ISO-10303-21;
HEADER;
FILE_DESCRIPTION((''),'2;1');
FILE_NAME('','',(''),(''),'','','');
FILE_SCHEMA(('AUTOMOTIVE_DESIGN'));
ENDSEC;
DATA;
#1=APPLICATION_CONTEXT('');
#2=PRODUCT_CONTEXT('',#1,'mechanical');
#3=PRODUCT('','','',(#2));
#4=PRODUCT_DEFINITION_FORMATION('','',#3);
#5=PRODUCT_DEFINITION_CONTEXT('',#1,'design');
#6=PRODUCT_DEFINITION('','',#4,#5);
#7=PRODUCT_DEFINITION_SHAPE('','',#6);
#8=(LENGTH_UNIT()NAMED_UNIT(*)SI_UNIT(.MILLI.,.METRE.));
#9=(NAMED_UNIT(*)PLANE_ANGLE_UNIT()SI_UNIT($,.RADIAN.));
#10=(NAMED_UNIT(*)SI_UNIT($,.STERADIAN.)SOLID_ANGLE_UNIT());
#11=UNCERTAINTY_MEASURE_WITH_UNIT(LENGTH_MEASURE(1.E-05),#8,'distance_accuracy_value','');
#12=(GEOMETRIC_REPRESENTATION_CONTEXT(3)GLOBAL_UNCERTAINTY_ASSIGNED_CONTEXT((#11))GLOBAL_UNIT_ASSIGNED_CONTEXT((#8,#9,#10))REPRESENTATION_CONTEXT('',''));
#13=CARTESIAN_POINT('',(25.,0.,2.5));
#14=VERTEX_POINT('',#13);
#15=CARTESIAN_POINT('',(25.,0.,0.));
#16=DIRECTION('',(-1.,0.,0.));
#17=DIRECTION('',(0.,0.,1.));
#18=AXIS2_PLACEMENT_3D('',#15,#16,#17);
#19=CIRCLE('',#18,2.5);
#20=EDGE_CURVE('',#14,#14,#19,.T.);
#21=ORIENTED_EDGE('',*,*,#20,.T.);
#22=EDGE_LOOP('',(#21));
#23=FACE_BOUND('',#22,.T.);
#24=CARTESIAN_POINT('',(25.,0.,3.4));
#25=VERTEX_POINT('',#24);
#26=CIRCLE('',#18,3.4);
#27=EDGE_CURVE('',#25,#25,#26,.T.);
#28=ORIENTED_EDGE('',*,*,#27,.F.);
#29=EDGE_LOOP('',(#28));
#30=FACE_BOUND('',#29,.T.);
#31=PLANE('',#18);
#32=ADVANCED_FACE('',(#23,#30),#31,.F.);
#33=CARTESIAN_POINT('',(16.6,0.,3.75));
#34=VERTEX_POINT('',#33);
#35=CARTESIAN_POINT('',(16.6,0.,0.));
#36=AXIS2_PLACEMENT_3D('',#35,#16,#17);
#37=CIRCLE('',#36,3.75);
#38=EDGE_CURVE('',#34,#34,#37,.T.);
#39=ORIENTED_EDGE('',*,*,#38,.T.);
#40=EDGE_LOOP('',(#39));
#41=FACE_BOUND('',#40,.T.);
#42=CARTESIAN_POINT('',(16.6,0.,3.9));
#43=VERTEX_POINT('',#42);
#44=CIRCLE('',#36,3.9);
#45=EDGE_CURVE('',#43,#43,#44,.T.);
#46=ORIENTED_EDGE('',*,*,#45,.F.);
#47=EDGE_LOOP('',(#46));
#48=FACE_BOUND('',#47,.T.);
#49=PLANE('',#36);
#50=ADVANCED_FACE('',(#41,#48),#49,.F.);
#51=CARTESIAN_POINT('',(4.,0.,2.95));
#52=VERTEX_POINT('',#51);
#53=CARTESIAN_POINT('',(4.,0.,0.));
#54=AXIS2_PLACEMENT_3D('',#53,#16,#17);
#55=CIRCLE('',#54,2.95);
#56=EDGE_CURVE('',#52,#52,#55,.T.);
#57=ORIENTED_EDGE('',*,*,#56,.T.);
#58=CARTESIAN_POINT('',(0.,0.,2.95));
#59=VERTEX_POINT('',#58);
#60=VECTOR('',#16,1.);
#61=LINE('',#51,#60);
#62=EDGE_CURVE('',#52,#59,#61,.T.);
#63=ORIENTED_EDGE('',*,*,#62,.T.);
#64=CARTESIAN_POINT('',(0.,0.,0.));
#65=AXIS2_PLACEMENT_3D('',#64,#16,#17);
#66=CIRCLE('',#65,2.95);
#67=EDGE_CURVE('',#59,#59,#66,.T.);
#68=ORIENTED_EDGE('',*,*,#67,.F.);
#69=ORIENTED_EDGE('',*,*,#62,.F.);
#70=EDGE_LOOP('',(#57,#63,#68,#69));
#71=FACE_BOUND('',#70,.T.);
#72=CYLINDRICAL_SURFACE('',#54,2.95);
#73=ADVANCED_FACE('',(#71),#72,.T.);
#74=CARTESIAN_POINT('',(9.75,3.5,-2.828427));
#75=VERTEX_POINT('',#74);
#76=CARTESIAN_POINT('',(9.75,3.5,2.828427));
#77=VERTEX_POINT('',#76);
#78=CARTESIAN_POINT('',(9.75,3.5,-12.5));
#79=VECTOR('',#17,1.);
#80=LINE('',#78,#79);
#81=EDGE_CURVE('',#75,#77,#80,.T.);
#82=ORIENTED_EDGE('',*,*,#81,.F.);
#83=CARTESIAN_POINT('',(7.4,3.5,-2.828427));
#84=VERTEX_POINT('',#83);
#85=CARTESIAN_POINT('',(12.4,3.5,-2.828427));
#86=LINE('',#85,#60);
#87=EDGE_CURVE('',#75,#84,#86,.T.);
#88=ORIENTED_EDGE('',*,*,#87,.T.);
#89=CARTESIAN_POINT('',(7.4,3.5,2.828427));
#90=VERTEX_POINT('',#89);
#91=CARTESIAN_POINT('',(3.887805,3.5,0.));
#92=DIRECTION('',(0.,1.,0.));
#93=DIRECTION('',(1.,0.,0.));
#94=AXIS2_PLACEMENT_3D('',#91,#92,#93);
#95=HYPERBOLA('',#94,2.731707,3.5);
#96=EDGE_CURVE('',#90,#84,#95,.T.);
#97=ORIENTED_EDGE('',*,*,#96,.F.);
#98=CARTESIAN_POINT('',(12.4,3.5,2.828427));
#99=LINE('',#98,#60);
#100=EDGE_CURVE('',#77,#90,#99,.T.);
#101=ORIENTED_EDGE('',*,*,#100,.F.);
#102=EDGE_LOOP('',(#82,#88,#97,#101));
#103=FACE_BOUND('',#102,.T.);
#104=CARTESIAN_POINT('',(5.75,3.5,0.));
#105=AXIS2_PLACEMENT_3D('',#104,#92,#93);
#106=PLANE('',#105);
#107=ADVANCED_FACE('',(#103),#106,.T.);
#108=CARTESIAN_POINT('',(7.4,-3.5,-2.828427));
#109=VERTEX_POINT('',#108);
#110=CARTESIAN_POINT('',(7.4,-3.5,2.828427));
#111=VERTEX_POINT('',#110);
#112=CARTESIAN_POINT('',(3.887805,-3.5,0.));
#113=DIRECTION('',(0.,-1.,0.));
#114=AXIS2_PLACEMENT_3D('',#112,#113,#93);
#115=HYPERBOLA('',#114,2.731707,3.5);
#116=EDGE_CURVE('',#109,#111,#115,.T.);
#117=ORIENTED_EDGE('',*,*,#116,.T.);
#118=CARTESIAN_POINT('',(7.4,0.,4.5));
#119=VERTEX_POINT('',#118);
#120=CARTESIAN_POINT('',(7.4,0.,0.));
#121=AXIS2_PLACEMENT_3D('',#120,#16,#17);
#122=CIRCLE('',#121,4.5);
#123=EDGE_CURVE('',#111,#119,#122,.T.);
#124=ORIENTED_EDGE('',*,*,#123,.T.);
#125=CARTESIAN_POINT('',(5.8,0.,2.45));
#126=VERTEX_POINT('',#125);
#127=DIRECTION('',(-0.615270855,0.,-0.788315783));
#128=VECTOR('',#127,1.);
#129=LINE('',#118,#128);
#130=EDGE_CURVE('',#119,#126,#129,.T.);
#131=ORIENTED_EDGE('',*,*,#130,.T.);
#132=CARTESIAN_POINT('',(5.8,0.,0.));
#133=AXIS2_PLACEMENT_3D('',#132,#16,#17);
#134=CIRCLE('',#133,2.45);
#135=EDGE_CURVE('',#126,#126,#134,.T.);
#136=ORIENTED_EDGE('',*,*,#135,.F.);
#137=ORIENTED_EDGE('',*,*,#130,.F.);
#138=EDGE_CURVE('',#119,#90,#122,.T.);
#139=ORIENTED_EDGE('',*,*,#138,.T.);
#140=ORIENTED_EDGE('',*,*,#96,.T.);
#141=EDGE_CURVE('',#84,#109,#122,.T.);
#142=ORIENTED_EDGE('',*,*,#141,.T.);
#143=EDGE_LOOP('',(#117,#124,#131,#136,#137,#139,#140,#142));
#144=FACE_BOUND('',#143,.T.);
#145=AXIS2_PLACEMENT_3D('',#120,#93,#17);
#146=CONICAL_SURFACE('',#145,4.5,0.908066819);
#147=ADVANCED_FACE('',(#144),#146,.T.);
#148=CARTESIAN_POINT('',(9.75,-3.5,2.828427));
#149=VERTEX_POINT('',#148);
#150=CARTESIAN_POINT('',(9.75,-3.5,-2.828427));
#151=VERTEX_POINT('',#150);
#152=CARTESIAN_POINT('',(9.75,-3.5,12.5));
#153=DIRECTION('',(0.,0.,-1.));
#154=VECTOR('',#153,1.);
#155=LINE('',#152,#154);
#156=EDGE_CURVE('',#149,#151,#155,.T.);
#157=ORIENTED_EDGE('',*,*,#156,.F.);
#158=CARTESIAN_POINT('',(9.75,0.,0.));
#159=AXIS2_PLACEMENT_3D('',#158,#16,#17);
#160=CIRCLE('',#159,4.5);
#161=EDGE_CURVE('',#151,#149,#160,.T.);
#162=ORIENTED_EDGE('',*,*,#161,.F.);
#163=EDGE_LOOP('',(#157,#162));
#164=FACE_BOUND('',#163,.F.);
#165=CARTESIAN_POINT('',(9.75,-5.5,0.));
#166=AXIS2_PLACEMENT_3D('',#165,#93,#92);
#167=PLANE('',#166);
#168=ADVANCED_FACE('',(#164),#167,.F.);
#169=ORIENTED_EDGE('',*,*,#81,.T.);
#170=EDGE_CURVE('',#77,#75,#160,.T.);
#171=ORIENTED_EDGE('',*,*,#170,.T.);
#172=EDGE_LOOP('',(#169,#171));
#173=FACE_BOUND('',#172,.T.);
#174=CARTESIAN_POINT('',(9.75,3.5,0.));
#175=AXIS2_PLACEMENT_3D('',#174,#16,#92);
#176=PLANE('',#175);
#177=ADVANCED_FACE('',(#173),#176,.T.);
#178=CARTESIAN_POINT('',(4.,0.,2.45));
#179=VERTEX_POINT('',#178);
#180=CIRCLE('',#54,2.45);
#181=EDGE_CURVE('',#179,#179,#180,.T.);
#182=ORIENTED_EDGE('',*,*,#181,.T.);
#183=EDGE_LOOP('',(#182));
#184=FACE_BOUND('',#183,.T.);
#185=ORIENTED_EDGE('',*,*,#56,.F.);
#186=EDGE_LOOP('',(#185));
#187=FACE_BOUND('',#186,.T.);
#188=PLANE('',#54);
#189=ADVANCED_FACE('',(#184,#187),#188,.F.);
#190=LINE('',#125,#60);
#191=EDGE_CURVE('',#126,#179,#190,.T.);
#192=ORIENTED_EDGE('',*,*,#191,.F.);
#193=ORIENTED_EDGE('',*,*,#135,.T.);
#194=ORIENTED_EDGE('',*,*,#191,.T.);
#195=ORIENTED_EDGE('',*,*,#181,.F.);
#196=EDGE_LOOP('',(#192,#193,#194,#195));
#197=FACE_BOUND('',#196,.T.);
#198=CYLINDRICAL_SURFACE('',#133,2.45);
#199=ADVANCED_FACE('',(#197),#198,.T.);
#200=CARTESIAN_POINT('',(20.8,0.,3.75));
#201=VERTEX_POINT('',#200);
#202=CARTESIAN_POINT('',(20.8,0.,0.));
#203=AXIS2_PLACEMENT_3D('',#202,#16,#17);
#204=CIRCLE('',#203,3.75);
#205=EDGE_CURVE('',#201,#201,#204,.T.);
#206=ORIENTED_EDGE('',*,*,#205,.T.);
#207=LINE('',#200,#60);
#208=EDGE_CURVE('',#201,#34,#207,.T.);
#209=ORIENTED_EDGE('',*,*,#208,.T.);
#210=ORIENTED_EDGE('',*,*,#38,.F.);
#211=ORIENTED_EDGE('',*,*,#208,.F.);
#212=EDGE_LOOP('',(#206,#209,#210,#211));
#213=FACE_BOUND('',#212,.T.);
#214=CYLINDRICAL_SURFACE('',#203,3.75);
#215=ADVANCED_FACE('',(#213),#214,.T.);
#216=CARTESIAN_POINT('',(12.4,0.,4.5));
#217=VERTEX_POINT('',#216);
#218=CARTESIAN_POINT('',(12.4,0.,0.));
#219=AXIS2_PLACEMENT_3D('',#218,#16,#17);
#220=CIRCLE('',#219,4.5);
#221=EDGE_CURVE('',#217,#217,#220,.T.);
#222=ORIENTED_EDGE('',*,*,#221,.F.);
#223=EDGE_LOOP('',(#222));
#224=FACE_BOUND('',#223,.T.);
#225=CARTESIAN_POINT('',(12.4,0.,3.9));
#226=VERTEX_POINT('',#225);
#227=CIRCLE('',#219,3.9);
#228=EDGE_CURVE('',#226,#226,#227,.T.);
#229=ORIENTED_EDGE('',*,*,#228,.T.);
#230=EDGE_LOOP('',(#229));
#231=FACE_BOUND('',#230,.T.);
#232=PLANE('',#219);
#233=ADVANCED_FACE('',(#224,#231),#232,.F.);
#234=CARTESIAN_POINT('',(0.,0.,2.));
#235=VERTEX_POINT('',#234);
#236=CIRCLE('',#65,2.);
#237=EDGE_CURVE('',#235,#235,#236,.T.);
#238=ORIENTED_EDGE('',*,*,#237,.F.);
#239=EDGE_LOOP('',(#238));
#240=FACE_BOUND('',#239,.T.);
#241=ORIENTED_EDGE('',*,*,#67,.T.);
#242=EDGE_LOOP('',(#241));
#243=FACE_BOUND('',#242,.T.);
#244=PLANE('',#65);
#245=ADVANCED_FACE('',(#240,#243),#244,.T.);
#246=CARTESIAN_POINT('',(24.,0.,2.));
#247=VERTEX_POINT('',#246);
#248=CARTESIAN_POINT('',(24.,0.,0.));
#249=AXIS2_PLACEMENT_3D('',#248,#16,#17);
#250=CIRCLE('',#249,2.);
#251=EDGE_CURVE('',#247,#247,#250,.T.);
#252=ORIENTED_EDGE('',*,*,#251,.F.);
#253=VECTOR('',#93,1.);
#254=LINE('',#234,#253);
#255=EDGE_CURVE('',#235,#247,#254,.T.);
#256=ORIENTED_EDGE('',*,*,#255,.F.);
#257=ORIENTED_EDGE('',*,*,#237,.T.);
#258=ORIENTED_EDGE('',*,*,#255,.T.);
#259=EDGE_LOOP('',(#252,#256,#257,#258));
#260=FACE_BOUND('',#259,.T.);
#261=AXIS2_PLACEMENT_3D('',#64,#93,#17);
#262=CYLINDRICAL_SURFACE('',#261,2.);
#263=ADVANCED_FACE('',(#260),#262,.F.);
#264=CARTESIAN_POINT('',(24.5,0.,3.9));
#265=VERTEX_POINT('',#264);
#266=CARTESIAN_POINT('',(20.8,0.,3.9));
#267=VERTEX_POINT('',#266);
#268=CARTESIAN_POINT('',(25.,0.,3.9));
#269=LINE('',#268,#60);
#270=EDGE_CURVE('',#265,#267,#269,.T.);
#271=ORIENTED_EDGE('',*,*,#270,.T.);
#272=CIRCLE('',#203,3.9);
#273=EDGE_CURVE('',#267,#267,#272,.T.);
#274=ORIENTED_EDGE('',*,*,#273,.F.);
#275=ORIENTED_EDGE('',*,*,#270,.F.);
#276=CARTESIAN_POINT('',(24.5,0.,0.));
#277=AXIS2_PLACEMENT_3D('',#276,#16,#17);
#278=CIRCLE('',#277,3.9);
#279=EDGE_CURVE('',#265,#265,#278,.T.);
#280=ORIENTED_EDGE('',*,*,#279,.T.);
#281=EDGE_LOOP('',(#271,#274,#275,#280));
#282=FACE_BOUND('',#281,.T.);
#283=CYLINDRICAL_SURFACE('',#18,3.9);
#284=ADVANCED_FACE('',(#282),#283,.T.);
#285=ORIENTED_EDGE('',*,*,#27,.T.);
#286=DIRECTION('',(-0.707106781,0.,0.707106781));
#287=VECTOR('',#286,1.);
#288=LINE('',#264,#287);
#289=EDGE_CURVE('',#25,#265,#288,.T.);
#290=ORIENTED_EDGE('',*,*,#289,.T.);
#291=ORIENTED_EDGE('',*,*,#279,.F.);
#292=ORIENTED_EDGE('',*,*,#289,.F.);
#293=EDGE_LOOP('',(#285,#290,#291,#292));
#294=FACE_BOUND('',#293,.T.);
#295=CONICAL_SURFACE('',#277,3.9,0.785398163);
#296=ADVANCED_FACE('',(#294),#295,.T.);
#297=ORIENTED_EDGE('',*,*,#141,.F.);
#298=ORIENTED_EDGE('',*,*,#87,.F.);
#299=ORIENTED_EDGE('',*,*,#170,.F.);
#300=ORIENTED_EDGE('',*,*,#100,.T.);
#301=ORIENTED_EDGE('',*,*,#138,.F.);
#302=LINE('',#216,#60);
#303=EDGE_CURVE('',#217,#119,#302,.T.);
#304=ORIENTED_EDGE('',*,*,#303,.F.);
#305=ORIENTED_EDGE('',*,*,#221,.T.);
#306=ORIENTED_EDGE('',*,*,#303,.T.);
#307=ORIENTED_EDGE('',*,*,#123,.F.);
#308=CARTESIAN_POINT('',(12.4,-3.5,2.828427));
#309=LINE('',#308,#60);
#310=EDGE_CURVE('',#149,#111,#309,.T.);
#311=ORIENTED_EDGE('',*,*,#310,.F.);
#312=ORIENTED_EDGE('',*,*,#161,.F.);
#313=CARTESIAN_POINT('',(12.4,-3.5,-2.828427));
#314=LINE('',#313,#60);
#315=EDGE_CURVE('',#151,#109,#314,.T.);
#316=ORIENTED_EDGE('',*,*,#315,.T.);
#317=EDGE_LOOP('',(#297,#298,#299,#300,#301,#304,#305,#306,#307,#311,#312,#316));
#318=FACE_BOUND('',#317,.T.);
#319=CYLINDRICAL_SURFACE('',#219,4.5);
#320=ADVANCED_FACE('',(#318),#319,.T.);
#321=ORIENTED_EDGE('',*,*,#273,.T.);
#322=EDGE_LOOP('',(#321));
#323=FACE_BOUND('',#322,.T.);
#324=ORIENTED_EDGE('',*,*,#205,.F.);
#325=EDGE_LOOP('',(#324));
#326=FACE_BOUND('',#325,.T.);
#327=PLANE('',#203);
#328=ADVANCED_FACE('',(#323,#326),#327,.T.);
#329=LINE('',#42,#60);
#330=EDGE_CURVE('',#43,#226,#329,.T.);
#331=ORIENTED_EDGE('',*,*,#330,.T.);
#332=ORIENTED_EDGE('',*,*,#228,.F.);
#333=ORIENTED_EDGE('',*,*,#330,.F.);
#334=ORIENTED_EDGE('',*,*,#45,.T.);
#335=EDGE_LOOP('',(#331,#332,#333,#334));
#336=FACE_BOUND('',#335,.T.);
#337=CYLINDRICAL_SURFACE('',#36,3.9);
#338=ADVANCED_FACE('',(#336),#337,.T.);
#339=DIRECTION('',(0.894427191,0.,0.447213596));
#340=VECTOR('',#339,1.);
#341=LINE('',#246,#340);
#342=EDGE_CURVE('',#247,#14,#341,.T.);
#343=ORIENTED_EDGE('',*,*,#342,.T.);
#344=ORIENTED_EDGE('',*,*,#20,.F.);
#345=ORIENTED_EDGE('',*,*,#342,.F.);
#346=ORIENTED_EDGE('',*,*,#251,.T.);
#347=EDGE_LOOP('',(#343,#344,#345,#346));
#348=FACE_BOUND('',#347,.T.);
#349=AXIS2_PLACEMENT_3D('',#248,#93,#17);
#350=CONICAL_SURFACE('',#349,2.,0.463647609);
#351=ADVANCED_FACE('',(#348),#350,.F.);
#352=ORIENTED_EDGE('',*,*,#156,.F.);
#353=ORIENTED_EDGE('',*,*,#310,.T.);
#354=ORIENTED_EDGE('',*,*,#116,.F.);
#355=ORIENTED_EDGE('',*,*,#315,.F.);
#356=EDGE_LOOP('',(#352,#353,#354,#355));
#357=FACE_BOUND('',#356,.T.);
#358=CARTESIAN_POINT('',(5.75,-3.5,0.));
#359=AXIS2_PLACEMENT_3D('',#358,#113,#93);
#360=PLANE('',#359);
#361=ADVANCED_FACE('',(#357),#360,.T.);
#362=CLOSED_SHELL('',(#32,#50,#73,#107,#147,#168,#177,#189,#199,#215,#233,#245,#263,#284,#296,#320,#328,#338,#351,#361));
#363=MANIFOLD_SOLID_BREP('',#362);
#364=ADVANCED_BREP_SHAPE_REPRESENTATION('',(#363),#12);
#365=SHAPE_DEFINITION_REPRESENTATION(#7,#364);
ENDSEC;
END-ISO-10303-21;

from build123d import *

# Parameters (mm, degrees)
F2_SIZE  = 0.5
F3_SIZE2 = 0.5
F3_SIZE  = 1
F4_W     = 4
F4_H     = 2
F5_DEPTH = 12.5


with BuildPart() as f1:
    # F0 (on Front) → F1 (revolve)
    with BuildSketch(Plane.XZ):
        Polygon((4, 2.95), (0, 2.95), (0, 2), (25, 2), (25, 3.9), (20.8, 3.9), (20.8, 3.75), (16.6, 3.75), (16.6, 3.9), (12.4, 3.9), (12.4, 4.5), (7.4, 4.5), (5.8, 2.45), (4, 2.45), align=None)
    revolve(axis=Axis((19.6164940708, 0, 0), (-1, 0, 0)))

    # F2
    f2_edges = [f1.edges().sort_by_distance(p)[0] for p in [
        (25, 0, -3.9),
    ]]
    chamfer(f2_edges, length=F2_SIZE)

    # F3
    f3_edges = [f1.edges().sort_by_distance(p)[0] for p in [
        (25, 0, -2),
    ]]
    f3_side = f1.faces().sort_by_distance((12.5, 0, -2))[0]
    chamfer(f3_edges, length=F3_SIZE, length2=F3_SIZE2, reference=f3_side)

    # F4 (on Top) → F5 (cut, symmetric)
    with BuildSketch(Plane.XY):
        with Locations((7.75, 4.5)):
            Rectangle(F4_W, F4_H)
        with Locations((7.75, -4.5)):
            Rectangle(F4_W, F4_H)
    extrude(amount=F5_DEPTH, both=True, mode=Mode.SUBTRACT)


solid = f1.part
